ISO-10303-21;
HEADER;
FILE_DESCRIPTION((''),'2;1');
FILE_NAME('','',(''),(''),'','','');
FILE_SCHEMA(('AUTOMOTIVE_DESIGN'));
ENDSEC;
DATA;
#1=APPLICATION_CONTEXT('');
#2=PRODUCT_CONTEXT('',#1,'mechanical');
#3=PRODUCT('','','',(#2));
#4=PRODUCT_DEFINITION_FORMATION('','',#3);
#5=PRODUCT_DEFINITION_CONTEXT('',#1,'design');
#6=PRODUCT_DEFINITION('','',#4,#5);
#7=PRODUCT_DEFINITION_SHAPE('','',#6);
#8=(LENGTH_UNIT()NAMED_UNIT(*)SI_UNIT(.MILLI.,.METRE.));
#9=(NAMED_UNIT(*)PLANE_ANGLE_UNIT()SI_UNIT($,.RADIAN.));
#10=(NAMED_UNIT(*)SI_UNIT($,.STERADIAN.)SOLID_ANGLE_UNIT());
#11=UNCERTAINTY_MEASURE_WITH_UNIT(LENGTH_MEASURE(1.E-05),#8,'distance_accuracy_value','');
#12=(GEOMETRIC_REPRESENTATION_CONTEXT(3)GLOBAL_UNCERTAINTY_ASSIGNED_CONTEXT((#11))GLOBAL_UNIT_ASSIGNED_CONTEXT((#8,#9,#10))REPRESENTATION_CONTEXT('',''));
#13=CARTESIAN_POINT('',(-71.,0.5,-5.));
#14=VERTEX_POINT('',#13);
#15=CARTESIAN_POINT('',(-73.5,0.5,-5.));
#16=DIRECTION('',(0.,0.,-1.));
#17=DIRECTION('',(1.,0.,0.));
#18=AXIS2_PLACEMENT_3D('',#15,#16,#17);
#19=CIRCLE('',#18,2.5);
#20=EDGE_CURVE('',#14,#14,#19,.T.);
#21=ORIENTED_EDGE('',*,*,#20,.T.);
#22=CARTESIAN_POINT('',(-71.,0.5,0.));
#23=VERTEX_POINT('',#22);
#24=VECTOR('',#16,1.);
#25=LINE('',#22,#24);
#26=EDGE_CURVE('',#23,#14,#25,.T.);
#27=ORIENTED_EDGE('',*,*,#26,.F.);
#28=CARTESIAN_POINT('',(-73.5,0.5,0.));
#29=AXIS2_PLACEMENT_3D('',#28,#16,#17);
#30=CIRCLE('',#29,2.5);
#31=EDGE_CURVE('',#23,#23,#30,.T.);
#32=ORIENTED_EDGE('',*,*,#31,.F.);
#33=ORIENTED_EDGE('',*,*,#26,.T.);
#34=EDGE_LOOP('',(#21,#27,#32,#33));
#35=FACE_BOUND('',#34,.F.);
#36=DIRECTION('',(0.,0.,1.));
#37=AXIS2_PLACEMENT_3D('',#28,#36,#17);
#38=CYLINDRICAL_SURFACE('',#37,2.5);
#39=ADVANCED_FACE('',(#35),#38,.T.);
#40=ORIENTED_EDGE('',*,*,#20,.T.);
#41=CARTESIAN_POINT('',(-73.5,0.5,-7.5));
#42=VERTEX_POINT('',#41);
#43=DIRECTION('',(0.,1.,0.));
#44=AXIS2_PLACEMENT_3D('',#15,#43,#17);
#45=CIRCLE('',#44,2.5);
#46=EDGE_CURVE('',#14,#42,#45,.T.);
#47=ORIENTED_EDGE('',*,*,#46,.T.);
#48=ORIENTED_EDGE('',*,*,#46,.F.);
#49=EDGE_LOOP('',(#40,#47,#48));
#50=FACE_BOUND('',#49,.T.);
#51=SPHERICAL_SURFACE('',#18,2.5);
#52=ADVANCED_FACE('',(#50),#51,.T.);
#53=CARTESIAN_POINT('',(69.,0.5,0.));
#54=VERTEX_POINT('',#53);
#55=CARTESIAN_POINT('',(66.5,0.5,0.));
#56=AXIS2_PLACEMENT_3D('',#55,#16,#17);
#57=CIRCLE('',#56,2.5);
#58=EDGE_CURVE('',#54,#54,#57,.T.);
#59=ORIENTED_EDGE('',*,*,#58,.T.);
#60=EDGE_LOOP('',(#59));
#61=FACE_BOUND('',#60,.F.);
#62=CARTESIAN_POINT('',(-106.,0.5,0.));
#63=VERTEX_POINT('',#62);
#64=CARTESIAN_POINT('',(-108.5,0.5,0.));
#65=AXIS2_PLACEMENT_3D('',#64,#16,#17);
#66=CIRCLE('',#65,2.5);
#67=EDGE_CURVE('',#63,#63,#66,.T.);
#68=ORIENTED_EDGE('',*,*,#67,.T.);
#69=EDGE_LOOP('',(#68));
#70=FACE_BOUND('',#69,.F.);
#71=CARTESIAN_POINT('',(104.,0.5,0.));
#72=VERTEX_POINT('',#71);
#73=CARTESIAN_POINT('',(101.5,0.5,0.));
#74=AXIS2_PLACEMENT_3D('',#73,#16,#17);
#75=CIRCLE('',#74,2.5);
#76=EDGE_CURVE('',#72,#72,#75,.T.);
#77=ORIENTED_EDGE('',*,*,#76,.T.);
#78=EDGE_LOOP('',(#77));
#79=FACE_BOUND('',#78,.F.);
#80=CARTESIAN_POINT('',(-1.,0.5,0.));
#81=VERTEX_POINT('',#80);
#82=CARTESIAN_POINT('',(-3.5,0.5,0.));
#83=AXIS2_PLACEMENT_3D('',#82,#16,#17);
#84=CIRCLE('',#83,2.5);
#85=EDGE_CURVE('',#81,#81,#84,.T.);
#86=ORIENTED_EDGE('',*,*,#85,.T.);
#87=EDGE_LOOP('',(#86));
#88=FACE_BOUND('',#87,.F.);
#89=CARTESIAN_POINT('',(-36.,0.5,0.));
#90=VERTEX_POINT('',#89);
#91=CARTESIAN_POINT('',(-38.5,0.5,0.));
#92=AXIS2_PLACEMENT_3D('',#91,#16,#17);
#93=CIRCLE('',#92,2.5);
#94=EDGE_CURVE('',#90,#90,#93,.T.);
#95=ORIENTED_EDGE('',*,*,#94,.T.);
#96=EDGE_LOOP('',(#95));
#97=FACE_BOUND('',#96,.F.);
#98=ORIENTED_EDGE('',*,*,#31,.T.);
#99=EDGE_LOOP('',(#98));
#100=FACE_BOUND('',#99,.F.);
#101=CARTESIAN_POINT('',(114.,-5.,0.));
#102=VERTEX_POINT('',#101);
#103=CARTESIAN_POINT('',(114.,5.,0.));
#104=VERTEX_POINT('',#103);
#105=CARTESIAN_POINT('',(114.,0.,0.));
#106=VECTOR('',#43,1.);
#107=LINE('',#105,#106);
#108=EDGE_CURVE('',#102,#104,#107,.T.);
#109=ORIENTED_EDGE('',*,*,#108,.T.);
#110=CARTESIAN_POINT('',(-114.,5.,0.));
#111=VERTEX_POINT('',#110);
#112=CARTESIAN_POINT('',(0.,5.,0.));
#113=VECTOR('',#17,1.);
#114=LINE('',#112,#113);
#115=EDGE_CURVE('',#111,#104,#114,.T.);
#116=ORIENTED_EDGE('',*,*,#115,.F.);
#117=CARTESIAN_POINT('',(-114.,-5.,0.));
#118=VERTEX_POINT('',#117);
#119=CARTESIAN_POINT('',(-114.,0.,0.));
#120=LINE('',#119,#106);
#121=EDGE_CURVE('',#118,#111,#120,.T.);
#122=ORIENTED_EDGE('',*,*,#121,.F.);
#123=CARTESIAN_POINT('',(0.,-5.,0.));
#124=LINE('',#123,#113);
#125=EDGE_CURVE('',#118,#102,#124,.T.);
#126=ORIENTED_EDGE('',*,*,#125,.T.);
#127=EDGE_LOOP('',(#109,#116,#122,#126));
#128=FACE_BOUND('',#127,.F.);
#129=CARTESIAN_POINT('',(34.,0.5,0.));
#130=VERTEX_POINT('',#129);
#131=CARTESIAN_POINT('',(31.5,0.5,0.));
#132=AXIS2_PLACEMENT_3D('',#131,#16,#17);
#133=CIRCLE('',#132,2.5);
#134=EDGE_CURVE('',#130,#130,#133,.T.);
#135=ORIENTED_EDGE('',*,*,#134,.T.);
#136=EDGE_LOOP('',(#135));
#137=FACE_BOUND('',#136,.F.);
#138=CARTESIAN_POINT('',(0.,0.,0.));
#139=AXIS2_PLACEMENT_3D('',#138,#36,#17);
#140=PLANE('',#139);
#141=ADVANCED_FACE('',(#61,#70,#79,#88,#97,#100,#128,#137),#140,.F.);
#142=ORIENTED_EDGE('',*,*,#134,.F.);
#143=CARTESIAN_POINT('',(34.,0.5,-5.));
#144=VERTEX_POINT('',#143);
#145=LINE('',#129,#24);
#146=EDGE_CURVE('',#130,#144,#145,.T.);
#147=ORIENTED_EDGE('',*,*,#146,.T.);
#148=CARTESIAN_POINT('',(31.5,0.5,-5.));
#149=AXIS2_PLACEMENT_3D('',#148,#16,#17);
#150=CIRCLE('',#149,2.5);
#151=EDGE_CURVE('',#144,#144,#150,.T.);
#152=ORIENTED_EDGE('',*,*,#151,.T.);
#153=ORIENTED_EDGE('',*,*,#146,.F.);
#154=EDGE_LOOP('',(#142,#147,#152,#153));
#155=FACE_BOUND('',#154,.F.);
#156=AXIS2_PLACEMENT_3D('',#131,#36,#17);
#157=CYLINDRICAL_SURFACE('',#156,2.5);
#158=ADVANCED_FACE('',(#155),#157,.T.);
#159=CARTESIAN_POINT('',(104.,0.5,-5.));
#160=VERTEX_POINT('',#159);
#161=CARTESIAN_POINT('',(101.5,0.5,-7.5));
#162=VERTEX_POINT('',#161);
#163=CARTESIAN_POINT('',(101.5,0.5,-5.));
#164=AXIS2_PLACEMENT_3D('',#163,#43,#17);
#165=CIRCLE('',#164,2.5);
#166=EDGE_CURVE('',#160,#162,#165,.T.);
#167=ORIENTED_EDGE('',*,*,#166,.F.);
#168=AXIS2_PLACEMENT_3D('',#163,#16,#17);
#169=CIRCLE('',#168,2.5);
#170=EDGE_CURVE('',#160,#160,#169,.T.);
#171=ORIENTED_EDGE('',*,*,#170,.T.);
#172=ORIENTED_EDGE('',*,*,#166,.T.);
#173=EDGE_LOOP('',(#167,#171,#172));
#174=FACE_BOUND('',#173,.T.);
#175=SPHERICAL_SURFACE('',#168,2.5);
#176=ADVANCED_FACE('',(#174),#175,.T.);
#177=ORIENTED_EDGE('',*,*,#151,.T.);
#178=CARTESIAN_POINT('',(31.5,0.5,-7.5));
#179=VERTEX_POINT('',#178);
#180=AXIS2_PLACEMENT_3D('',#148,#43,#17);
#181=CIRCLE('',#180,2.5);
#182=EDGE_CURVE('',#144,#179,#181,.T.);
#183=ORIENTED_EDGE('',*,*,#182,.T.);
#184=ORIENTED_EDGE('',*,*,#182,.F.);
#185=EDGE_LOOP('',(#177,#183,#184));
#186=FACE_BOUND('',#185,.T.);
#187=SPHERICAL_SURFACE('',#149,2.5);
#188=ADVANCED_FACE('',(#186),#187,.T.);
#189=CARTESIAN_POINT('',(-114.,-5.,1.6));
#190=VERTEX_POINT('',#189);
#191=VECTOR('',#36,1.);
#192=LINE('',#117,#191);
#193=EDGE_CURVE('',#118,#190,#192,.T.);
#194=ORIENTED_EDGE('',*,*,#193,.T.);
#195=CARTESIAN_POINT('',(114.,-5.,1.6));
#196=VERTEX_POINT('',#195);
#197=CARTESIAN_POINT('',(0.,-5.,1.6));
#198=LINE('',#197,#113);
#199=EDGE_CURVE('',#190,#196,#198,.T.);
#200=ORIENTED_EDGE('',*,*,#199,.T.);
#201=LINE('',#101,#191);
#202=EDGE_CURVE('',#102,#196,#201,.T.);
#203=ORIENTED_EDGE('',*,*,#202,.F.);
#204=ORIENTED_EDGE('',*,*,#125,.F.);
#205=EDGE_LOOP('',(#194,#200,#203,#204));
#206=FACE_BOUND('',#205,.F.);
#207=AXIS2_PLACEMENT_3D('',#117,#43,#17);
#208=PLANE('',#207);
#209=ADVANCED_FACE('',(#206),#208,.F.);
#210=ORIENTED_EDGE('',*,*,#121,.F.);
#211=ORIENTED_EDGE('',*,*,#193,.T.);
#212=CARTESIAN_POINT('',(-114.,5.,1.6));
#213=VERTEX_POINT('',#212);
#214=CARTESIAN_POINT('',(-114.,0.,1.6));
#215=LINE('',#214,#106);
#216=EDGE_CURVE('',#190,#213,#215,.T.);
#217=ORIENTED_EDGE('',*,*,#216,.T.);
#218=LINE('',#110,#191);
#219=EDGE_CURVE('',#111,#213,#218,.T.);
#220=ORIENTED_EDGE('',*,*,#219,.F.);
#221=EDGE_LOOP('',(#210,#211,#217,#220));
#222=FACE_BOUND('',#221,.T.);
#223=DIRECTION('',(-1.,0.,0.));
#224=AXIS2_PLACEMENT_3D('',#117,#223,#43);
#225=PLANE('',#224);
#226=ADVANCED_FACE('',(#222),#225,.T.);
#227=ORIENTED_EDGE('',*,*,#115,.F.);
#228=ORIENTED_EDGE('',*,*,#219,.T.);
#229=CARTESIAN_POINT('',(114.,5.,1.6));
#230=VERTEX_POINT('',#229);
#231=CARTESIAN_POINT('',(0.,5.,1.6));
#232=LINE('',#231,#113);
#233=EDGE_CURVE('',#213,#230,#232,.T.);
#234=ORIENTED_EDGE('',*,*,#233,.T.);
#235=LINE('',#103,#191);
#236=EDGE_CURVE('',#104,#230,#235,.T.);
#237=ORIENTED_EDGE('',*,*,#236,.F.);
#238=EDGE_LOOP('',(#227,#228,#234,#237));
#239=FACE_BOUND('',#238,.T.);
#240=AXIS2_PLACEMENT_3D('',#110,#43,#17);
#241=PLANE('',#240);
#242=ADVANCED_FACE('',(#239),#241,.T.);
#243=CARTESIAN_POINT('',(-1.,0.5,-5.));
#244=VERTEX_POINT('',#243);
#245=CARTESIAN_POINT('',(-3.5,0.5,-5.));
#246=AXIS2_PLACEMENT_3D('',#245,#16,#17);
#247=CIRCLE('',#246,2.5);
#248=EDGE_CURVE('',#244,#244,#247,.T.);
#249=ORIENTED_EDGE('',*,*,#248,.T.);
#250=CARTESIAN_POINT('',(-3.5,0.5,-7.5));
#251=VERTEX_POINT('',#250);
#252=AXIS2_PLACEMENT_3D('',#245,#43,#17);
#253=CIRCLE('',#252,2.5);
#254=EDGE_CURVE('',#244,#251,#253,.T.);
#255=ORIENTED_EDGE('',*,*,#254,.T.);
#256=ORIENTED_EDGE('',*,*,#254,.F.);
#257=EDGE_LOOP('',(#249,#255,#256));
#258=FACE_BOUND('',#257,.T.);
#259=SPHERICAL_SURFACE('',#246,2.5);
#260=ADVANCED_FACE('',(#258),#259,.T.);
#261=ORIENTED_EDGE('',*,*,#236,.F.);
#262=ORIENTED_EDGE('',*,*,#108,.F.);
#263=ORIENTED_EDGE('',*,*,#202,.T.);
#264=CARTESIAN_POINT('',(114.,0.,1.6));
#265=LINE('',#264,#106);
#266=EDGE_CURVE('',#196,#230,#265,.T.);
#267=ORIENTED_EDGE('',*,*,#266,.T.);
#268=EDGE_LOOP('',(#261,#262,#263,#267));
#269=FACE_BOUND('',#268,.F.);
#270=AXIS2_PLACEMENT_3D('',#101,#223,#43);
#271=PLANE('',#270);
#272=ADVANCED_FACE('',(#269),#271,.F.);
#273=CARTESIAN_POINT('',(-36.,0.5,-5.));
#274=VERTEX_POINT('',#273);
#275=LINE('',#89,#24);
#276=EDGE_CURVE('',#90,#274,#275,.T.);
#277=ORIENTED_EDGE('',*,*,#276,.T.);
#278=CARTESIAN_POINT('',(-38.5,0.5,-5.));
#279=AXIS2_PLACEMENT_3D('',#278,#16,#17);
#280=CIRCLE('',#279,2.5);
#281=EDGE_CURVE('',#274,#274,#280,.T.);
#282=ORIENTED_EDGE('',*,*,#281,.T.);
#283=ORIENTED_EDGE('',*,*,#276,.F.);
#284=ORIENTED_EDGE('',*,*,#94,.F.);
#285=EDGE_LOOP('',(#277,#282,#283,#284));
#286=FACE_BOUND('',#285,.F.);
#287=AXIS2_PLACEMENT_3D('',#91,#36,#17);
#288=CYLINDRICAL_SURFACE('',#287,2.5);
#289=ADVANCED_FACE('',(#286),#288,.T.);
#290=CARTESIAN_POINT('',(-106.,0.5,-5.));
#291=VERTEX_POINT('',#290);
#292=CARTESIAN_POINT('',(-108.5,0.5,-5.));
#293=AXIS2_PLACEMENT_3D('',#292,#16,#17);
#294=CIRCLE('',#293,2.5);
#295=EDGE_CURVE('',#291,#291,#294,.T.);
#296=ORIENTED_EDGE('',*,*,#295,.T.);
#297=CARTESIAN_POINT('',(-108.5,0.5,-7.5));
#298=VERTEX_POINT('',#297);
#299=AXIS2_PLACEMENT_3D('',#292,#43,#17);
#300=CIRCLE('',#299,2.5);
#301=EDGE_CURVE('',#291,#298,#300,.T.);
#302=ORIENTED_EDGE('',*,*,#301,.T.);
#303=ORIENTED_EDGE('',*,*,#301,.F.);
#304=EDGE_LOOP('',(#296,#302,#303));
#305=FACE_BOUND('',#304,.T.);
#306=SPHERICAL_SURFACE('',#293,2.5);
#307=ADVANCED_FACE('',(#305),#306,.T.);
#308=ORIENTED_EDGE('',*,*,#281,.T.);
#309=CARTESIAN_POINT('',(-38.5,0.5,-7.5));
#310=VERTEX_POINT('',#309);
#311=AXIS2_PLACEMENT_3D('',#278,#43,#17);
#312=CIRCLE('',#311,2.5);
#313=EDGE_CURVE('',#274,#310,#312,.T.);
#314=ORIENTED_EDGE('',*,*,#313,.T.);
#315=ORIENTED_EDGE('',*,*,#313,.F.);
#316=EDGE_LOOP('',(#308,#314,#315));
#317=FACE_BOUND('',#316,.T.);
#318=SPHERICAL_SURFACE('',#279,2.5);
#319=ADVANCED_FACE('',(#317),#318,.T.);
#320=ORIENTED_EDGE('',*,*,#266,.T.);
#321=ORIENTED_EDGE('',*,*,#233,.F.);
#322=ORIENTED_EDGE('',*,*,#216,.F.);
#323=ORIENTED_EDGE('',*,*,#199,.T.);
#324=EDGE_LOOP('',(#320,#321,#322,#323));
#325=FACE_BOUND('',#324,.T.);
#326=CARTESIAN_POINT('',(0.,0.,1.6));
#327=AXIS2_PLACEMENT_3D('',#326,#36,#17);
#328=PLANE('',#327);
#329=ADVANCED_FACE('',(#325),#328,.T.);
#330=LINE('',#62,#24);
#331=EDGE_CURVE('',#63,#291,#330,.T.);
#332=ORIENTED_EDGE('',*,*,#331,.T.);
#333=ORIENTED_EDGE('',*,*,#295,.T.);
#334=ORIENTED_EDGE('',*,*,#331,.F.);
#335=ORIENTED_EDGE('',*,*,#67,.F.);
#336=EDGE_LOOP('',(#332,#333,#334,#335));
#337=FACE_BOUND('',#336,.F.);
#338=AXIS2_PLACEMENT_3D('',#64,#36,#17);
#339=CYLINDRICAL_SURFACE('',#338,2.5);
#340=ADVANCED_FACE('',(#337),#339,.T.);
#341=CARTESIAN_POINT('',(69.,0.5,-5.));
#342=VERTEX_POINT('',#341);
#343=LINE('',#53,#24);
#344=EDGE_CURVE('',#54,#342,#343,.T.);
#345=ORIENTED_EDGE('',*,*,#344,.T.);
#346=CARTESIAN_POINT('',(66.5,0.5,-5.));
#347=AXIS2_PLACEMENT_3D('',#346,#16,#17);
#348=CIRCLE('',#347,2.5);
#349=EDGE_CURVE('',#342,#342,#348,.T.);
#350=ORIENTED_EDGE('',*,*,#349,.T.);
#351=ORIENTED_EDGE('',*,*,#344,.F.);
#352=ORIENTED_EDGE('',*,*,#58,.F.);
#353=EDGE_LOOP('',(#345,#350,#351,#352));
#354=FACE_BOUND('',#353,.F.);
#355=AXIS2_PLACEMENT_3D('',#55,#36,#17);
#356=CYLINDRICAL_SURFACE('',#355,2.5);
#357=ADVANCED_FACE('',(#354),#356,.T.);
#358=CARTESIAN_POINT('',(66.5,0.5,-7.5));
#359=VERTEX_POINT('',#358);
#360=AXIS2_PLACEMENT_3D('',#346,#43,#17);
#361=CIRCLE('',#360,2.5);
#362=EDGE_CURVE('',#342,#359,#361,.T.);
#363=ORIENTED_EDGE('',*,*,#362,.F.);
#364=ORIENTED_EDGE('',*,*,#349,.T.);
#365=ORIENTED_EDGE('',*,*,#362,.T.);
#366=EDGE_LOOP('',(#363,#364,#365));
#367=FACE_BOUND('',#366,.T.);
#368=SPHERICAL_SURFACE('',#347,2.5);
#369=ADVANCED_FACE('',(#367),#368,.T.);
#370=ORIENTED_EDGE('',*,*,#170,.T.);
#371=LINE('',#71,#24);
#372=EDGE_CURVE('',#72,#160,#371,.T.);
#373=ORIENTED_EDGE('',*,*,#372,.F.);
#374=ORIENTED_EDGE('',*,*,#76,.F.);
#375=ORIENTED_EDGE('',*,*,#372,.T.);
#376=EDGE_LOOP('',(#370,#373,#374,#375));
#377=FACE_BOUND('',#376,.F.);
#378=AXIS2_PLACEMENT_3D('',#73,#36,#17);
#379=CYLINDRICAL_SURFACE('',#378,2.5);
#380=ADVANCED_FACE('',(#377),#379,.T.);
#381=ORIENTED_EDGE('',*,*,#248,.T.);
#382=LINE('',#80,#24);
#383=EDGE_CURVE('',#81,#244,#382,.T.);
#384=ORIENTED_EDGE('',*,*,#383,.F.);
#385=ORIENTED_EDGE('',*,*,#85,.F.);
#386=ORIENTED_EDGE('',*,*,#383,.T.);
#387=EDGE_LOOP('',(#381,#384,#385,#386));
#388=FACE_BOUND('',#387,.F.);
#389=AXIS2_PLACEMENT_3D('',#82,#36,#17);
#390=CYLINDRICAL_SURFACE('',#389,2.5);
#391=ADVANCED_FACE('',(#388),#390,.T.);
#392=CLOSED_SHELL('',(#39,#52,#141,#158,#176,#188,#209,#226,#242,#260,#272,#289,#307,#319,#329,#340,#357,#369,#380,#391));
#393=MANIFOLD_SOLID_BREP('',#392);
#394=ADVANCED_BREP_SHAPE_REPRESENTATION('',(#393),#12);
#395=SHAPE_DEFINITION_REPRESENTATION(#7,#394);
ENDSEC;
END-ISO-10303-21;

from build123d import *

# Parameters (mm, degrees)
F0_W     = 228
F0_H     = 10
F1_DEPTH = 1.6
F2_R     = 2.5
F3_DEPTH = 7.5
F4_R     = 2.5


with BuildPart() as f1:
    # F0 (on Top) → F1 (new body)
    with BuildSketch(Plane.XY):
        Rectangle(F0_W, F0_H)
    extrude(amount=F1_DEPTH)

    # F2 (on face) → F3 (join)
    with BuildSketch(Plane(origin=(0, 0, 0), x_dir=(1, 0, 0), z_dir=(0, 0, -1))):
        with Locations((-108.5, -0.5)):
            Circle(F2_R)
        with Locations((-73.5, -0.5)):
            Circle(F2_R)
        with Locations((-38.5, -0.5)):
            Circle(F2_R)
        with Locations((-3.5, -0.5)):
            Circle(F2_R)
        with Locations((31.5, -0.5)):
            Circle(F2_R)
        with Locations((66.5, -0.5)):
            Circle(F2_R)
        with Locations((101.5, -0.5)):
            Circle(F2_R)
    extrude(amount=F3_DEPTH)

    # F4
    f4_edges = [f1.edges().sort_by_distance(p)[0] for p in [
        (-111, 0.5, -7.5),
        (-76, 0.5, -7.5),
        (-41, 0.5, -7.5),
        (-6, 0.5, -7.5),
        (29, 0.5, -7.5),
        (64, 0.5, -7.5),
        (99, 0.5, -7.5),
    ]]
    fillet(f4_edges, radius=F4_R)


solid = f1.part
